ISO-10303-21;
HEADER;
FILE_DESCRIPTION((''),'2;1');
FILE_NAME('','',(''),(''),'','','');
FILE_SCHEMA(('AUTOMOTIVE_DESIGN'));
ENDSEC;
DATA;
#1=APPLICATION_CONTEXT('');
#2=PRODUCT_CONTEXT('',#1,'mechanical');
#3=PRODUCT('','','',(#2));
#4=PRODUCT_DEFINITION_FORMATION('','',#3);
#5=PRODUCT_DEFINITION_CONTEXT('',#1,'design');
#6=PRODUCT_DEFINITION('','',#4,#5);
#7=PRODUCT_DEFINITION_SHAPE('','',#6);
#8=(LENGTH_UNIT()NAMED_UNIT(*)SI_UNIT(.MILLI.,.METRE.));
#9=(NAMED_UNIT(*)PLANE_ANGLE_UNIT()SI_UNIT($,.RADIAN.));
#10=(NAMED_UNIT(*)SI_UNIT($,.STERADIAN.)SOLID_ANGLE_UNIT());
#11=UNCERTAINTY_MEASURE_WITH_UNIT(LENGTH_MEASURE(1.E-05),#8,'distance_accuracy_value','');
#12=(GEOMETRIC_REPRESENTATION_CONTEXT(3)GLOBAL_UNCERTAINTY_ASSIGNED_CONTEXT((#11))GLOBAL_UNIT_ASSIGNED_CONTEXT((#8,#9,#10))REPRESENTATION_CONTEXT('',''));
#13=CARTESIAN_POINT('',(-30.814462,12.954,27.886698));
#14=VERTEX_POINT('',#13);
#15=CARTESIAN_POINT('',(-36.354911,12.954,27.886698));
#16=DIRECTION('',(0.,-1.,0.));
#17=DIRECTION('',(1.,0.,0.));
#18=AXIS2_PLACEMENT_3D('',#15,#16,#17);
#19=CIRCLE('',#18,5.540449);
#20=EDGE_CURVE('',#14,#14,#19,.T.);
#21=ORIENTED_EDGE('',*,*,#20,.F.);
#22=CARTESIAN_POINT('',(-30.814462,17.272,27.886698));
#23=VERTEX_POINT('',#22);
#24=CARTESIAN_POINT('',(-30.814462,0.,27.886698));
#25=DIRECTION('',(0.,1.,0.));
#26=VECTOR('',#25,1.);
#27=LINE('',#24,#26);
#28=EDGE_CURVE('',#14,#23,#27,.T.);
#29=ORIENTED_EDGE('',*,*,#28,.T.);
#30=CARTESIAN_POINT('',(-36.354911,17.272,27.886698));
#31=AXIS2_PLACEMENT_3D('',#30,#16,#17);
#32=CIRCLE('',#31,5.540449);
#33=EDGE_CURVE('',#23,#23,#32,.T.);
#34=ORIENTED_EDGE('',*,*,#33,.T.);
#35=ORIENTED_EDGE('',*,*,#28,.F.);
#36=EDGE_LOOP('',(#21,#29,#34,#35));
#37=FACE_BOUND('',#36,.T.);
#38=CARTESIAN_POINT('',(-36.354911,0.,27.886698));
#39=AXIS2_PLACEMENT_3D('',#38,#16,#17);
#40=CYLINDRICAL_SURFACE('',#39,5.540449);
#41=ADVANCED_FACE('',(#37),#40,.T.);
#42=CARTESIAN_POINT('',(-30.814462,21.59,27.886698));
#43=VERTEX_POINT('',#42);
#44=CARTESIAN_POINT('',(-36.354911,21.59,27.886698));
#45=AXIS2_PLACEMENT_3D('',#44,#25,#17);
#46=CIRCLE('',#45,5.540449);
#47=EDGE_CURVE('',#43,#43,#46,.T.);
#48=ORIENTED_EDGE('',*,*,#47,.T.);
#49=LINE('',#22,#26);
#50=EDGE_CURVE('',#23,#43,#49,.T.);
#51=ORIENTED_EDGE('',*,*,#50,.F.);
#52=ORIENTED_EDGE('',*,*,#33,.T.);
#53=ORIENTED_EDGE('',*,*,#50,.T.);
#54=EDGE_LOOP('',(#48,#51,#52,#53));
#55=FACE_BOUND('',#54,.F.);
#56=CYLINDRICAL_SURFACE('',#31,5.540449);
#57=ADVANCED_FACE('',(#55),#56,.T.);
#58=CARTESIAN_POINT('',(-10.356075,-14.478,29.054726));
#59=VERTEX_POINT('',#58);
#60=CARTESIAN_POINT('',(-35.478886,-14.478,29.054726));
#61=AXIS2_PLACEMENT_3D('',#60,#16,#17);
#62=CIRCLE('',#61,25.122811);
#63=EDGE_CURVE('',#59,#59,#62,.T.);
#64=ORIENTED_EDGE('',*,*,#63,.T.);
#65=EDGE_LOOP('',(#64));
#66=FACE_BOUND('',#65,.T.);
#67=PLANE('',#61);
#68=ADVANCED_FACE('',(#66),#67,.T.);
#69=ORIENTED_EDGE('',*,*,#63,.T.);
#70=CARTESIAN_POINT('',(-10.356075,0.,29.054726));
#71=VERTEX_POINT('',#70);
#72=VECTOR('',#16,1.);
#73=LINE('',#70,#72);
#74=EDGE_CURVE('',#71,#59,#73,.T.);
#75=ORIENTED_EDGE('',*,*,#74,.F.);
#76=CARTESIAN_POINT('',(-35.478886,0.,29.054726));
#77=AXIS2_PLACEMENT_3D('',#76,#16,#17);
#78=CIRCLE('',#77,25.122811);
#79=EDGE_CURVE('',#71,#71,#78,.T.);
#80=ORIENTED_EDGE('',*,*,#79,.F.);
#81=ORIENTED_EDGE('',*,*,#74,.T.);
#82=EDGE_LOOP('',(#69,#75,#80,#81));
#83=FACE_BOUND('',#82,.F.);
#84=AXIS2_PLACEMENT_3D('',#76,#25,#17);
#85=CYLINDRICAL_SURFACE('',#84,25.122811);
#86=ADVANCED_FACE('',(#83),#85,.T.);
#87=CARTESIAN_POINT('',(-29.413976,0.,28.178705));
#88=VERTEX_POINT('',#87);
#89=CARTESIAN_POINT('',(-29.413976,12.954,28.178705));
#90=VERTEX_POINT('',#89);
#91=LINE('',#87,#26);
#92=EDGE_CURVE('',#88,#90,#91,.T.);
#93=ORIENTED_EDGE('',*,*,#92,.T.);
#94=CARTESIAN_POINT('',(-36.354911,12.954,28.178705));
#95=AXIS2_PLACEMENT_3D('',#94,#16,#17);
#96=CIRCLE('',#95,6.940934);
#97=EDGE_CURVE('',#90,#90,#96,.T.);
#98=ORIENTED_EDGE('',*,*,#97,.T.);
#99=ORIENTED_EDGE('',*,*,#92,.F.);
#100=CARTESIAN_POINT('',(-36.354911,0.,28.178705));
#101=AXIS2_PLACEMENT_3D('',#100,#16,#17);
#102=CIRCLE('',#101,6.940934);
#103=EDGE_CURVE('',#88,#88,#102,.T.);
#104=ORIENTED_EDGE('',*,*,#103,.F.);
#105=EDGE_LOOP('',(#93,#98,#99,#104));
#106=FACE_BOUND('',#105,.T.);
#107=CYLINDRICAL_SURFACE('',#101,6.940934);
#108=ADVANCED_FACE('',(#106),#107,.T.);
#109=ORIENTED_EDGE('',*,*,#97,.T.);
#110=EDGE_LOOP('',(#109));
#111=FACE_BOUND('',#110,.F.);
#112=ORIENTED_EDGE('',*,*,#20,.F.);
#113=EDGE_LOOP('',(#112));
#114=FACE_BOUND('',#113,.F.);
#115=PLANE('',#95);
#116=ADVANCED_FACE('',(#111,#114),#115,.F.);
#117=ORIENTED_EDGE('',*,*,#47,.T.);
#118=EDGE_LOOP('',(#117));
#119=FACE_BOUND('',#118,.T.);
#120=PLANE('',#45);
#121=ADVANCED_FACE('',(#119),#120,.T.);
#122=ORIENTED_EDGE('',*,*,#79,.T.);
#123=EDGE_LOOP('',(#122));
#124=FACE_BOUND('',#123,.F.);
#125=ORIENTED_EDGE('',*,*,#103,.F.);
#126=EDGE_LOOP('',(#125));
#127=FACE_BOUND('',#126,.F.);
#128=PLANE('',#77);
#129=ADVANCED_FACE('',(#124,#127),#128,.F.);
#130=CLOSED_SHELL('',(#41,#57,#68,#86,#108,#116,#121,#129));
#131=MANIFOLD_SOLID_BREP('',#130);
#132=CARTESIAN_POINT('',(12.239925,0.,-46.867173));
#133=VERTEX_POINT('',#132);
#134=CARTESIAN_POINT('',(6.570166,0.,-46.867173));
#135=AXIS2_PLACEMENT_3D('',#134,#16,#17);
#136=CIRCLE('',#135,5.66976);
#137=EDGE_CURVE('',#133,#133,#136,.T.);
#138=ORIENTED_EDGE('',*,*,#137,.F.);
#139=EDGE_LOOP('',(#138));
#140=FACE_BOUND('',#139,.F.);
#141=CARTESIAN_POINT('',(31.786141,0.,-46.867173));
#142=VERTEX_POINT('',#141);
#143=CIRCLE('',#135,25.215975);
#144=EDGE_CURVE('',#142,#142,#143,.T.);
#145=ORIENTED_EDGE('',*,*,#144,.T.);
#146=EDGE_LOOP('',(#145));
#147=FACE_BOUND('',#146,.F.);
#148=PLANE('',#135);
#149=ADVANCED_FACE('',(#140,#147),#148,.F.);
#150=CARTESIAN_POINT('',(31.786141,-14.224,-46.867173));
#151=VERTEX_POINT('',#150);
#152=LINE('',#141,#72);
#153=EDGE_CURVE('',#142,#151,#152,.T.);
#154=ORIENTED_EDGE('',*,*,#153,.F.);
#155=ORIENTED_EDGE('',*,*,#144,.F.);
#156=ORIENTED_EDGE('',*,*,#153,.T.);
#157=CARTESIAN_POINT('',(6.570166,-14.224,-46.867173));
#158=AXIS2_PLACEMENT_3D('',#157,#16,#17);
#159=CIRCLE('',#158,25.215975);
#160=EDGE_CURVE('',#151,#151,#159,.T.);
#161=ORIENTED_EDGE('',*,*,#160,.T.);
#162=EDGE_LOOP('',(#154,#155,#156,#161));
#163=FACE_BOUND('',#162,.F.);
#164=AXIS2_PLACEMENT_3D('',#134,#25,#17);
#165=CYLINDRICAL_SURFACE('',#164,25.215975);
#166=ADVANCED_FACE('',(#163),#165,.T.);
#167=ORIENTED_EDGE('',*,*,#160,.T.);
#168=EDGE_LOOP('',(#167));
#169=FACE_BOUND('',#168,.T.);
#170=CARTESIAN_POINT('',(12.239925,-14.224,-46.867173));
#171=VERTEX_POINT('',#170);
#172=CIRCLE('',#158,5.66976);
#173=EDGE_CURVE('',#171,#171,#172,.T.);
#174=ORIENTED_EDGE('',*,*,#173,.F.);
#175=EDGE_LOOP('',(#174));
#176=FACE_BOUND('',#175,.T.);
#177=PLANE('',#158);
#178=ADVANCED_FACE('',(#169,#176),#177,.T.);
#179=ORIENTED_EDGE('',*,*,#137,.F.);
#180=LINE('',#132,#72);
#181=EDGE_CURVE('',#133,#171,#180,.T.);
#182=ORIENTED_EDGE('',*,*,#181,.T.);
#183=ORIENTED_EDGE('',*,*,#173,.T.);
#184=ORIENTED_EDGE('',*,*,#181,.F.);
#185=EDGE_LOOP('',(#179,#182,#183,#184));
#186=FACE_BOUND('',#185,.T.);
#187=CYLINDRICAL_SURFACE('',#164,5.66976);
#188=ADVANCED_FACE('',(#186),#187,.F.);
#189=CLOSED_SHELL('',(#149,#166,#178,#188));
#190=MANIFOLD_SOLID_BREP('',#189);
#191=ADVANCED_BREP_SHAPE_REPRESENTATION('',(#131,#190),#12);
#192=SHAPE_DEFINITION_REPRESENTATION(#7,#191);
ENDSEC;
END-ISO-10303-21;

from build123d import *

# Parameters (mm, degrees)
F0_R      = 25.1228109889
F1_DEPTH  = 14.478
F2_R      = 5.5404486576
F3_DEPTH  = 17.272
F4_R      = 25.2159750878
F4_R_2    = 5.669759619
F5_DEPTH  = 14.224
F6_R      = 6.940934254
F6_R_2    = 3.7960935957
F7_DEPTH  = 12.954
F8_R      = 3.6588389903
F8_R_2    = 2.3542381967
F3_FACE_R = 5.5404486576
F9_DEPTH  = 4.318


with BuildPart() as f1:
    # F0 (on Front) → F1 (new body)
    with BuildSketch(Plane.XZ):
        with Locations((-35.4788862169, 29.0547255427)):
            Circle(F0_R)
    extrude(amount=F1_DEPTH)

    # F2 (on Front) → F3 (join)
    with BuildSketch(Plane.XZ):
        with Locations((-36.3549105823, 27.8866980225)):
            Circle(F2_R)
    extrude(amount=-F3_DEPTH)

    # F6 (on Front) → F7 (join)
    with BuildSketch(Plane.XZ):
        with Locations((-36.3549105823, 28.1787049025)):
            Circle(F6_R)
        with Locations((-36.3549105823, 28.1787049025)):
            Circle(F6_R_2, mode=Mode.SUBTRACT)
    extrude(amount=-F7_DEPTH)

    # F8 (on Front) + F3_face (on face) → F9 (join)
    with BuildSketch(Plane.XZ):
        with Locations((-36.3549105823, 27.3026842624)):
            Circle(F8_R)
        with Locations((-36.3549105823, 27.3026842624)):
            Circle(F8_R_2, mode=Mode.SUBTRACT)
    with BuildSketch(Plane(origin=(-36.3549105823, 17.272, 27.8866980225), x_dir=(1, 0, 0), z_dir=(0, 1, 0))):
        Circle(F3_FACE_R)
    extrude(amount=-F9_DEPTH, dir=(0, -1, 0))


with BuildPart() as f5:
    # F4 (on Front) → F5 (new body)
    with BuildSketch(Plane.XZ):
        with Locations((6.5701655112, -46.8671731651)):
            Circle(F4_R)
        with Locations((6.5701655112, -46.8671731651)):
            Circle(F4_R_2, mode=Mode.SUBTRACT)
    extrude(amount=F5_DEPTH)


solid = Compound([f1.part, f5.part])
